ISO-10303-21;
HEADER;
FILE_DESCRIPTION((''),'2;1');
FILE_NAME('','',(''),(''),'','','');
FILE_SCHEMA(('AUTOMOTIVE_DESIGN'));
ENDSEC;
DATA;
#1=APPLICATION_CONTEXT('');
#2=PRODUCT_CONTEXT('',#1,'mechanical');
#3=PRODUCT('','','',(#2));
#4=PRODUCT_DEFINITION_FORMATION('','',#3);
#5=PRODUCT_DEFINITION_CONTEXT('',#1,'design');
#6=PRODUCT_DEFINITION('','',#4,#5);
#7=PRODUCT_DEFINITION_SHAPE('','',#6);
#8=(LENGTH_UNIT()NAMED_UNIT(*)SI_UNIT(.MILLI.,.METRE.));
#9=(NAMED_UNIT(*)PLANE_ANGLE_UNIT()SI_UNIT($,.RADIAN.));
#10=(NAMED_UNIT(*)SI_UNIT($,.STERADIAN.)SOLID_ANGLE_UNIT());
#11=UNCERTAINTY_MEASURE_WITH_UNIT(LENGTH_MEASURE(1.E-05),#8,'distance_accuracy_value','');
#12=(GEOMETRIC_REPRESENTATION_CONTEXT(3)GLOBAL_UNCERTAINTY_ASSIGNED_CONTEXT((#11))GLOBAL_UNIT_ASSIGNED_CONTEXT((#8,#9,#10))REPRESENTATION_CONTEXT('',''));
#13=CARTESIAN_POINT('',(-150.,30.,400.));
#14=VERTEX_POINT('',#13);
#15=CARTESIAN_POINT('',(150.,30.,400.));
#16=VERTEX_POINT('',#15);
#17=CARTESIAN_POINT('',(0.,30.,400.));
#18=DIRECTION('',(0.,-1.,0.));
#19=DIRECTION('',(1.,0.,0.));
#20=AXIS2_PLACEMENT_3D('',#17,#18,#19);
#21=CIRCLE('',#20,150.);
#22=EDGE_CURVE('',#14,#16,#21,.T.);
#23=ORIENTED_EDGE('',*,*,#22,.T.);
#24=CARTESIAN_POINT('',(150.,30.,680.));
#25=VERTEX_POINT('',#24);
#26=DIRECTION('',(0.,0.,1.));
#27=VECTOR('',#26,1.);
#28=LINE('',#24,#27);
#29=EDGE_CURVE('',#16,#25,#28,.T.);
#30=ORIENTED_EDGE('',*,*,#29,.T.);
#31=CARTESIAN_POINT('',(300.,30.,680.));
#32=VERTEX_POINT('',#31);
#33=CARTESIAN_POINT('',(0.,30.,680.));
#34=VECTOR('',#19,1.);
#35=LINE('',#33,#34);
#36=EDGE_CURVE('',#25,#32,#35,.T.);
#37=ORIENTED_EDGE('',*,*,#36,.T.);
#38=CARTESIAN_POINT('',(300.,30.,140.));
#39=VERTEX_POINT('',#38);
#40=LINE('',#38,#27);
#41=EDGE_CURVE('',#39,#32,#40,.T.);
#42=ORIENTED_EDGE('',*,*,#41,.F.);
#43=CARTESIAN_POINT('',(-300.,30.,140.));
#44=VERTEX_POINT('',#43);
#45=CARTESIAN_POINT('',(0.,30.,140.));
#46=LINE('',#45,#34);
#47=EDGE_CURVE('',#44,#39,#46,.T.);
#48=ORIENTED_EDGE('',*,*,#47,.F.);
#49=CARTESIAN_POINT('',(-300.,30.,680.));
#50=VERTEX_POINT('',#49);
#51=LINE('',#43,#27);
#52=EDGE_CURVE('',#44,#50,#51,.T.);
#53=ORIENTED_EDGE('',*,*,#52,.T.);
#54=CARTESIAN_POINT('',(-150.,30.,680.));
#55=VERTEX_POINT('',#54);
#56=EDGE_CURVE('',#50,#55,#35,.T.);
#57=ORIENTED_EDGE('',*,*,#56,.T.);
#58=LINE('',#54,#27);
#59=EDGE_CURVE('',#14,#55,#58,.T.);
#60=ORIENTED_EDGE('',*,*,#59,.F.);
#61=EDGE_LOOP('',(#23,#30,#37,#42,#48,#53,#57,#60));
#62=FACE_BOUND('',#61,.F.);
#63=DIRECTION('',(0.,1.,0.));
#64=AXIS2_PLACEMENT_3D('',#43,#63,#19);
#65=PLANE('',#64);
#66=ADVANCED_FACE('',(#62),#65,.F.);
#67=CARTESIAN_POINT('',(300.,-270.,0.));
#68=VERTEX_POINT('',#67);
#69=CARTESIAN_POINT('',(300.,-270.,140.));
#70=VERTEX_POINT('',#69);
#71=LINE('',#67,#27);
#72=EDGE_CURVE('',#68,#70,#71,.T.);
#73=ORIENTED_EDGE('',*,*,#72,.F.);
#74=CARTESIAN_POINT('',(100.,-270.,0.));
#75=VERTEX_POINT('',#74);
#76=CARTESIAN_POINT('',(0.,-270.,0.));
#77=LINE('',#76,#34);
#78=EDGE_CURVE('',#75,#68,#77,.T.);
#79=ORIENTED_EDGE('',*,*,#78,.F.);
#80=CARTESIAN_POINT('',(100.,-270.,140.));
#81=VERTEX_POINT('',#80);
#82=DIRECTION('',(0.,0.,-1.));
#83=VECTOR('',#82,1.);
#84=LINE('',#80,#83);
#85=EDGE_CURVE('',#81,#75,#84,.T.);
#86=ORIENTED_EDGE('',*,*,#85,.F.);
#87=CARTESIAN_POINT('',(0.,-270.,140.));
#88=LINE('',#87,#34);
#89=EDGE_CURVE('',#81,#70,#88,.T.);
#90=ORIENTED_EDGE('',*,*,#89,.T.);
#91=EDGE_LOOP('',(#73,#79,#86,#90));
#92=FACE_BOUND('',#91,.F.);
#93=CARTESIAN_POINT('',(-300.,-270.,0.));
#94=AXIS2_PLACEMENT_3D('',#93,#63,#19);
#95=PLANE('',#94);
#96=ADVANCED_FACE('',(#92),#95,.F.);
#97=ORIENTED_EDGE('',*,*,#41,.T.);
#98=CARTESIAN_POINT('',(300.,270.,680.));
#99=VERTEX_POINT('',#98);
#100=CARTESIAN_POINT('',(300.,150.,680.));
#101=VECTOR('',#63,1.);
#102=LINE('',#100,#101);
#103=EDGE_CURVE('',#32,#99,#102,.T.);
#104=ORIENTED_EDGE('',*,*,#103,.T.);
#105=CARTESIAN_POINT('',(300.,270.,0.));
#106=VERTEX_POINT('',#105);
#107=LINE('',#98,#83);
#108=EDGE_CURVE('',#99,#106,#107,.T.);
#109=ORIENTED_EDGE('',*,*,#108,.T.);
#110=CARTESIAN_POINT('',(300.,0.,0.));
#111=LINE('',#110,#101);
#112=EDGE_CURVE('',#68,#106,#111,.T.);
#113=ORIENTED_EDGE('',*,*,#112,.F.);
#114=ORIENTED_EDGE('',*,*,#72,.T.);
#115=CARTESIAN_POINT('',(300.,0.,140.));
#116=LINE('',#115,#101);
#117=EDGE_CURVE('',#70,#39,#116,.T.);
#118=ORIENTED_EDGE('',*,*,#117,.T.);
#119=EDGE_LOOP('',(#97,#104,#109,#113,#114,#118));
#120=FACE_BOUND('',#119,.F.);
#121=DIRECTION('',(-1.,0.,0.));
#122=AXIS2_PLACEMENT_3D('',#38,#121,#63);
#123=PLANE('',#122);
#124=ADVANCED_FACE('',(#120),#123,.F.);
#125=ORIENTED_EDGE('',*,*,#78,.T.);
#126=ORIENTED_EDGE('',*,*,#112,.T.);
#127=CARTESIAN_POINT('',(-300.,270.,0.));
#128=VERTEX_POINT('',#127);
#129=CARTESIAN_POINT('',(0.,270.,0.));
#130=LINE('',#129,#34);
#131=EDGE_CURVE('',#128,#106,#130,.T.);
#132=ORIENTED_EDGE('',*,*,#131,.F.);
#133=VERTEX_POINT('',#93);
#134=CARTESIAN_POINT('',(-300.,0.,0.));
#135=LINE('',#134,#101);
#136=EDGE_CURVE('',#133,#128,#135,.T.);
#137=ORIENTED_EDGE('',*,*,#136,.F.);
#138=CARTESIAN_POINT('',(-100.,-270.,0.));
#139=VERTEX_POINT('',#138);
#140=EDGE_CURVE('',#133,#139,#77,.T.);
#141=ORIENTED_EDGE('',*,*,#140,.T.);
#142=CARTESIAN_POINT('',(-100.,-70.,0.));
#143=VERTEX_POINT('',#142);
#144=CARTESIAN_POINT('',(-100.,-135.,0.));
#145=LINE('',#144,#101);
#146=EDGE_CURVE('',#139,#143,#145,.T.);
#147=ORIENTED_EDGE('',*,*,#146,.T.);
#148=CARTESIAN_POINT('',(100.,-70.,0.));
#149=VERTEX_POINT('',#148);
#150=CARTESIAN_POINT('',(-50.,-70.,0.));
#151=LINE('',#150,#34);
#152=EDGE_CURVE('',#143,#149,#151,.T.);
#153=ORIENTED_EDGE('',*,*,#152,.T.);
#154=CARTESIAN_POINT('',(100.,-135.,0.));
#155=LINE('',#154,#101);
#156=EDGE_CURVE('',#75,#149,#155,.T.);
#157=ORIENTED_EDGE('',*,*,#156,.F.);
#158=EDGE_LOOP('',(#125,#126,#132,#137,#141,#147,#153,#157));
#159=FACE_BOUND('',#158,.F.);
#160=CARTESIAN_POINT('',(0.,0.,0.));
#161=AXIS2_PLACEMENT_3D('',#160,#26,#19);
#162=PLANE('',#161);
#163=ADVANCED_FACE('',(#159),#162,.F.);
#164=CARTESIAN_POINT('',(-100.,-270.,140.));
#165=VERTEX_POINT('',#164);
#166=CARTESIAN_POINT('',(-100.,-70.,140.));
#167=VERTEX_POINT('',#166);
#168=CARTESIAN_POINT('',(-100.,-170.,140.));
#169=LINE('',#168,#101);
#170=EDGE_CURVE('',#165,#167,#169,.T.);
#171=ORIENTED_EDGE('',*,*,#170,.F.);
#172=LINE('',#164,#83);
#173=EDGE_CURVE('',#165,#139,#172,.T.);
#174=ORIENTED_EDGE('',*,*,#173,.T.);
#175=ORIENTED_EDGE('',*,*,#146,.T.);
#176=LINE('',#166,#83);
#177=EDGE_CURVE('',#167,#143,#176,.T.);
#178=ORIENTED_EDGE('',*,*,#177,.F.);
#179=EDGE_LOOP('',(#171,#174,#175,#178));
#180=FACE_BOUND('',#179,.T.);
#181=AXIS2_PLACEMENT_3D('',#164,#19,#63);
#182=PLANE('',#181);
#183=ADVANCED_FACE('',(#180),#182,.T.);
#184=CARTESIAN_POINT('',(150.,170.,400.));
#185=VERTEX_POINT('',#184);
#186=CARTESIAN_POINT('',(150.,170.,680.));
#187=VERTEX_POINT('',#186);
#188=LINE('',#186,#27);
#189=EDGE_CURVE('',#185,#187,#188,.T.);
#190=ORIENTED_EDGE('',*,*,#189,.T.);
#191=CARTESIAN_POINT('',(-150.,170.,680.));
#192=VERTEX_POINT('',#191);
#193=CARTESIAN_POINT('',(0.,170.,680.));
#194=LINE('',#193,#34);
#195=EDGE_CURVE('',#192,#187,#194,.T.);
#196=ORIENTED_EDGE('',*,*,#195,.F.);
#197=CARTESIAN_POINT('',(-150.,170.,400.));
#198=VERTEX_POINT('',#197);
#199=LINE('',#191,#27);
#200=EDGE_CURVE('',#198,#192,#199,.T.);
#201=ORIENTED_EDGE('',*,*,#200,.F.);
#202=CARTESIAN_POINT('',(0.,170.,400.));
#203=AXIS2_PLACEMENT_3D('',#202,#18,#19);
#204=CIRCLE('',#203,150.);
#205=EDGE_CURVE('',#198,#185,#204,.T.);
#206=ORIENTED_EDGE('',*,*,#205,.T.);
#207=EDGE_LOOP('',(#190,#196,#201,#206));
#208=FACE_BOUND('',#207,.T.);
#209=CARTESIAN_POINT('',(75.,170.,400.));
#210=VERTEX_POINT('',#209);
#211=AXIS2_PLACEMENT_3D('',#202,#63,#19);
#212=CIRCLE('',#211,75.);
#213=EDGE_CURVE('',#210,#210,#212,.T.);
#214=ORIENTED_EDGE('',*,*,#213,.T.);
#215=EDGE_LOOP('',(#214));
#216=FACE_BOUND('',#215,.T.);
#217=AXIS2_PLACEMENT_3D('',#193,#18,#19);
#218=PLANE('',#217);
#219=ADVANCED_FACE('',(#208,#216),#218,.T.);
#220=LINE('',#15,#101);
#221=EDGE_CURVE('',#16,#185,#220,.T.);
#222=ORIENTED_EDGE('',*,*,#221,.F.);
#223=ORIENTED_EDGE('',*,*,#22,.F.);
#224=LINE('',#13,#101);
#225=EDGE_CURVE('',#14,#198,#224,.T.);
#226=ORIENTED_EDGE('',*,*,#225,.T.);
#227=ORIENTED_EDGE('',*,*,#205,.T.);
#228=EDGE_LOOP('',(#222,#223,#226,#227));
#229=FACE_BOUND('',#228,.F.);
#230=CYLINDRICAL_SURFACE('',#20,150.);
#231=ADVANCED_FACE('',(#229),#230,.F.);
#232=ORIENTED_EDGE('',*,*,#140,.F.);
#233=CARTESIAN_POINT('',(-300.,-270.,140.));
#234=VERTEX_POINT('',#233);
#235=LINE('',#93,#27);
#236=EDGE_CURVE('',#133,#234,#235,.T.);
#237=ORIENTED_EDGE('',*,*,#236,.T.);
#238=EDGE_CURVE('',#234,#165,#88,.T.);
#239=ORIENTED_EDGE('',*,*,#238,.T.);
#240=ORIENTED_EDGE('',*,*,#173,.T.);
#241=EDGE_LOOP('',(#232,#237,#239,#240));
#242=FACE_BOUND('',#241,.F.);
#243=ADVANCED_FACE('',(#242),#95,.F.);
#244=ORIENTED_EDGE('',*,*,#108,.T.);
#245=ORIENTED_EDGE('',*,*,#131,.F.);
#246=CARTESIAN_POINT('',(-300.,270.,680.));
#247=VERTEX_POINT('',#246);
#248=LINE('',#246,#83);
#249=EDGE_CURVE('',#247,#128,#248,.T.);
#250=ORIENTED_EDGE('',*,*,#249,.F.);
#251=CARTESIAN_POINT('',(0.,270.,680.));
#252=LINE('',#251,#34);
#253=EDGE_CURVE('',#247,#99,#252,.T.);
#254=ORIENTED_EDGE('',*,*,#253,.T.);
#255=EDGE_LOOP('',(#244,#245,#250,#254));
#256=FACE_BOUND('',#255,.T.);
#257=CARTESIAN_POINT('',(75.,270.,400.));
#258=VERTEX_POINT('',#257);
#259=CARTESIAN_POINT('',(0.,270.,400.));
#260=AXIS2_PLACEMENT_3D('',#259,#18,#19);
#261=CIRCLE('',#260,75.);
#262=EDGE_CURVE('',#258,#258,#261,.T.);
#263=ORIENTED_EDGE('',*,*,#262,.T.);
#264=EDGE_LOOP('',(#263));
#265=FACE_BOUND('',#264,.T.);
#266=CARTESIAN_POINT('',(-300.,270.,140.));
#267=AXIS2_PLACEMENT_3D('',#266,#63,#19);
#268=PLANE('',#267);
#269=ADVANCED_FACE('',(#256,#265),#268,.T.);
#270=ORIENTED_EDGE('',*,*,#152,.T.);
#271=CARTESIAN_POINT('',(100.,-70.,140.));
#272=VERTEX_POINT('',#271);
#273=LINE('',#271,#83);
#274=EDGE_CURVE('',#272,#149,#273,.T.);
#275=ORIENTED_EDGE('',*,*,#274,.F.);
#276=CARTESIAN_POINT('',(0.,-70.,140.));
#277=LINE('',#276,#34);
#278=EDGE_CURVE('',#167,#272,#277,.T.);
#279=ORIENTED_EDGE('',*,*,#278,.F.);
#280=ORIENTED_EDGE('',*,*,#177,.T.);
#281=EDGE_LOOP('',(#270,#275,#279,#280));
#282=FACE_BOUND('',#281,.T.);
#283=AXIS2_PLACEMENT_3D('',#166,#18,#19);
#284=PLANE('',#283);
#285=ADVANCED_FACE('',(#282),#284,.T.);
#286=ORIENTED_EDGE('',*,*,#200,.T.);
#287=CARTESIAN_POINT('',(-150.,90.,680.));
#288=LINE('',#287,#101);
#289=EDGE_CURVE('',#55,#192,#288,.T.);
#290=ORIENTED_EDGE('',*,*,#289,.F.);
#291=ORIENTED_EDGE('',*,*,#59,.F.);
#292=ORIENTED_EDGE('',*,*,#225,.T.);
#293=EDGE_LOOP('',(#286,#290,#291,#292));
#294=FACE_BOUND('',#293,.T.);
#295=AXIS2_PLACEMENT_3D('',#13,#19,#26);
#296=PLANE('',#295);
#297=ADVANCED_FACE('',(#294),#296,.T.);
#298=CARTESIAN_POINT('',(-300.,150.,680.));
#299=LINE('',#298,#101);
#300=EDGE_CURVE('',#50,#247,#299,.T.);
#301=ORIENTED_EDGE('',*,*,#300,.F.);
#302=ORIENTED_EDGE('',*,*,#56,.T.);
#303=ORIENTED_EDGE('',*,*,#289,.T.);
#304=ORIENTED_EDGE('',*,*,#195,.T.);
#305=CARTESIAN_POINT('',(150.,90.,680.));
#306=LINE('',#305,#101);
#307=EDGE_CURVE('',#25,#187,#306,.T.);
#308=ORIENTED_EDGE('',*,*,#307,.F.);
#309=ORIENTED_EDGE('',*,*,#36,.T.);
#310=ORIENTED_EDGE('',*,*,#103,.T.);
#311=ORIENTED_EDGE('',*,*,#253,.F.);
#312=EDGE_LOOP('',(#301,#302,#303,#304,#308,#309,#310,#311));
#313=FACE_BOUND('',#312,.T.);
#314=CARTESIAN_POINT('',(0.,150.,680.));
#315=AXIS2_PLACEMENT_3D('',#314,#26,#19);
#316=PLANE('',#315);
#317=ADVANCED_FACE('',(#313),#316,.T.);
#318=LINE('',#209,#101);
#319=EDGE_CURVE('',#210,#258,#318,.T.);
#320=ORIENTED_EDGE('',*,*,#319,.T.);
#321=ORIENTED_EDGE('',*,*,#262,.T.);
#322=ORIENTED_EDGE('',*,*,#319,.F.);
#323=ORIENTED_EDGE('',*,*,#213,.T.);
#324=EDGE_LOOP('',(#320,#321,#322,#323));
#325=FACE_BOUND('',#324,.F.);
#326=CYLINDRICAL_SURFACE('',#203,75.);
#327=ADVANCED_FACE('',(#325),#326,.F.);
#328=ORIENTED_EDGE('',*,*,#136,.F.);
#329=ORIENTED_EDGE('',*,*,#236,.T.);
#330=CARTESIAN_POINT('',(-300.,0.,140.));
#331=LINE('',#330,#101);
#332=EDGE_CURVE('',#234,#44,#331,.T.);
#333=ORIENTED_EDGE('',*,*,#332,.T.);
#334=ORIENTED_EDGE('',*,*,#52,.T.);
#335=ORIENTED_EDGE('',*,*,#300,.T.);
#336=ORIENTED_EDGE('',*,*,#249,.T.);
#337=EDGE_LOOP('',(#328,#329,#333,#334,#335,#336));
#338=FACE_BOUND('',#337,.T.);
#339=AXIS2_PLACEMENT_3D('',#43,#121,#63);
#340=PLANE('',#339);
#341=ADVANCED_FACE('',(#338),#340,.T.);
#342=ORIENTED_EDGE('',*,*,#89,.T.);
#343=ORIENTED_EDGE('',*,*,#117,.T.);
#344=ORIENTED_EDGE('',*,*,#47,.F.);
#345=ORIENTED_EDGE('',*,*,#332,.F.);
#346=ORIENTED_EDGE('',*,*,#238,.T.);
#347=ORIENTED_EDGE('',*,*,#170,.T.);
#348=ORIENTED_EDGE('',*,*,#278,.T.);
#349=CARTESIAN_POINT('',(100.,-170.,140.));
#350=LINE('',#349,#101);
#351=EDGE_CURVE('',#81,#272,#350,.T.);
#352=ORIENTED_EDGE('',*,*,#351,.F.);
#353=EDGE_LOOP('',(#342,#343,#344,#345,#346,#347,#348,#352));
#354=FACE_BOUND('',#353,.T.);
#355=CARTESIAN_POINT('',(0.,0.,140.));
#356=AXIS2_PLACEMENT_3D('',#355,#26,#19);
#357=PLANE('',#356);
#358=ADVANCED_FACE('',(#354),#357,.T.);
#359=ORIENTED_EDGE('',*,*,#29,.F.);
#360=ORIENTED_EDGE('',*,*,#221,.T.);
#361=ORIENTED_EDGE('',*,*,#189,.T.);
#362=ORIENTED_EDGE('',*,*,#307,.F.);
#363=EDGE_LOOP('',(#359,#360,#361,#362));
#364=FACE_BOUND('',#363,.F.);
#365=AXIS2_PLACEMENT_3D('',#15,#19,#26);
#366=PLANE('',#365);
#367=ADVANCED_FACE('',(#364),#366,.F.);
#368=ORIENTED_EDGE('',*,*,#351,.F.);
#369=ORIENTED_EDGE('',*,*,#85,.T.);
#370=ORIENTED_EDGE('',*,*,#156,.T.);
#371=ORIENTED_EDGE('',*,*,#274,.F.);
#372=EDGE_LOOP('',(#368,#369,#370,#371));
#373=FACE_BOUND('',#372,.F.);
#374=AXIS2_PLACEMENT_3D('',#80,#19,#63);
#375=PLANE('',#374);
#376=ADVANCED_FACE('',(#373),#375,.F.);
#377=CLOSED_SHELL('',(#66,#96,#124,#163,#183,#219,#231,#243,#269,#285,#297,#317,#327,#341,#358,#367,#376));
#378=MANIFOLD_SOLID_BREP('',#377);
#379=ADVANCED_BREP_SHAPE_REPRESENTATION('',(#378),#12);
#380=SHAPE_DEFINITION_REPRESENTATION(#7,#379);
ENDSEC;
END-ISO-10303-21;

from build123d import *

# Parameters (mm, degrees)
F0_W      = 600
F0_H      = 540
F1_DEPTH  = 140
F2_W      = 200
F2_H      = 200
F3_DEPTH  = 140.001
F4_W      = 600
F4_H      = 240
F5_DEPTH  = 540
F6_W      = 300
F6_H      = 560
F7_DEPTH  = 140
F9_R      = 75
F10_DEPTH = 100.001
F8_R      = 150
F11_DEPTH = 140


with BuildPart() as f1:
    # F0 (on Top) → F1 (new body)
    with BuildSketch(Plane.XY):
        Rectangle(F0_W, F0_H)
    extrude(amount=F1_DEPTH)

    # F2 (on face) → F3 (cut, through all)
    with BuildSketch(Plane.XY.offset(140)):
        with Locations((0, -170)):
            Rectangle(F2_W, F2_H)
    extrude(amount=-F3_DEPTH, mode=Mode.SUBTRACT)

    # F4 (on face) → F5 (join)
    with BuildSketch(Plane.XY.offset(140)):
        with Locations((0, 150)):
            Rectangle(F4_W, F4_H)
    extrude(amount=F5_DEPTH)

    # F6 (on face) → F7 (cut)
    with BuildSketch(Plane.XZ.offset(-30)):
        with Locations((0, 680)):
            Rectangle(F6_W, F6_H)
    extrude(amount=-F7_DEPTH, mode=Mode.SUBTRACT)

    # F9 (on face) → F10 (cut, through all)
    with BuildSketch(Plane.XZ.offset(-170)):
        with Locations((0, 400)):
            Circle(F9_R)
    extrude(amount=-F10_DEPTH, mode=Mode.SUBTRACT)

    # F8 (on face) → F11 (cut)
    with BuildSketch(Plane.XZ.offset(-30)):
        with Locations((0, 400)):
            Circle(F8_R)
    extrude(amount=-F11_DEPTH, mode=Mode.SUBTRACT)


solid = f1.part
